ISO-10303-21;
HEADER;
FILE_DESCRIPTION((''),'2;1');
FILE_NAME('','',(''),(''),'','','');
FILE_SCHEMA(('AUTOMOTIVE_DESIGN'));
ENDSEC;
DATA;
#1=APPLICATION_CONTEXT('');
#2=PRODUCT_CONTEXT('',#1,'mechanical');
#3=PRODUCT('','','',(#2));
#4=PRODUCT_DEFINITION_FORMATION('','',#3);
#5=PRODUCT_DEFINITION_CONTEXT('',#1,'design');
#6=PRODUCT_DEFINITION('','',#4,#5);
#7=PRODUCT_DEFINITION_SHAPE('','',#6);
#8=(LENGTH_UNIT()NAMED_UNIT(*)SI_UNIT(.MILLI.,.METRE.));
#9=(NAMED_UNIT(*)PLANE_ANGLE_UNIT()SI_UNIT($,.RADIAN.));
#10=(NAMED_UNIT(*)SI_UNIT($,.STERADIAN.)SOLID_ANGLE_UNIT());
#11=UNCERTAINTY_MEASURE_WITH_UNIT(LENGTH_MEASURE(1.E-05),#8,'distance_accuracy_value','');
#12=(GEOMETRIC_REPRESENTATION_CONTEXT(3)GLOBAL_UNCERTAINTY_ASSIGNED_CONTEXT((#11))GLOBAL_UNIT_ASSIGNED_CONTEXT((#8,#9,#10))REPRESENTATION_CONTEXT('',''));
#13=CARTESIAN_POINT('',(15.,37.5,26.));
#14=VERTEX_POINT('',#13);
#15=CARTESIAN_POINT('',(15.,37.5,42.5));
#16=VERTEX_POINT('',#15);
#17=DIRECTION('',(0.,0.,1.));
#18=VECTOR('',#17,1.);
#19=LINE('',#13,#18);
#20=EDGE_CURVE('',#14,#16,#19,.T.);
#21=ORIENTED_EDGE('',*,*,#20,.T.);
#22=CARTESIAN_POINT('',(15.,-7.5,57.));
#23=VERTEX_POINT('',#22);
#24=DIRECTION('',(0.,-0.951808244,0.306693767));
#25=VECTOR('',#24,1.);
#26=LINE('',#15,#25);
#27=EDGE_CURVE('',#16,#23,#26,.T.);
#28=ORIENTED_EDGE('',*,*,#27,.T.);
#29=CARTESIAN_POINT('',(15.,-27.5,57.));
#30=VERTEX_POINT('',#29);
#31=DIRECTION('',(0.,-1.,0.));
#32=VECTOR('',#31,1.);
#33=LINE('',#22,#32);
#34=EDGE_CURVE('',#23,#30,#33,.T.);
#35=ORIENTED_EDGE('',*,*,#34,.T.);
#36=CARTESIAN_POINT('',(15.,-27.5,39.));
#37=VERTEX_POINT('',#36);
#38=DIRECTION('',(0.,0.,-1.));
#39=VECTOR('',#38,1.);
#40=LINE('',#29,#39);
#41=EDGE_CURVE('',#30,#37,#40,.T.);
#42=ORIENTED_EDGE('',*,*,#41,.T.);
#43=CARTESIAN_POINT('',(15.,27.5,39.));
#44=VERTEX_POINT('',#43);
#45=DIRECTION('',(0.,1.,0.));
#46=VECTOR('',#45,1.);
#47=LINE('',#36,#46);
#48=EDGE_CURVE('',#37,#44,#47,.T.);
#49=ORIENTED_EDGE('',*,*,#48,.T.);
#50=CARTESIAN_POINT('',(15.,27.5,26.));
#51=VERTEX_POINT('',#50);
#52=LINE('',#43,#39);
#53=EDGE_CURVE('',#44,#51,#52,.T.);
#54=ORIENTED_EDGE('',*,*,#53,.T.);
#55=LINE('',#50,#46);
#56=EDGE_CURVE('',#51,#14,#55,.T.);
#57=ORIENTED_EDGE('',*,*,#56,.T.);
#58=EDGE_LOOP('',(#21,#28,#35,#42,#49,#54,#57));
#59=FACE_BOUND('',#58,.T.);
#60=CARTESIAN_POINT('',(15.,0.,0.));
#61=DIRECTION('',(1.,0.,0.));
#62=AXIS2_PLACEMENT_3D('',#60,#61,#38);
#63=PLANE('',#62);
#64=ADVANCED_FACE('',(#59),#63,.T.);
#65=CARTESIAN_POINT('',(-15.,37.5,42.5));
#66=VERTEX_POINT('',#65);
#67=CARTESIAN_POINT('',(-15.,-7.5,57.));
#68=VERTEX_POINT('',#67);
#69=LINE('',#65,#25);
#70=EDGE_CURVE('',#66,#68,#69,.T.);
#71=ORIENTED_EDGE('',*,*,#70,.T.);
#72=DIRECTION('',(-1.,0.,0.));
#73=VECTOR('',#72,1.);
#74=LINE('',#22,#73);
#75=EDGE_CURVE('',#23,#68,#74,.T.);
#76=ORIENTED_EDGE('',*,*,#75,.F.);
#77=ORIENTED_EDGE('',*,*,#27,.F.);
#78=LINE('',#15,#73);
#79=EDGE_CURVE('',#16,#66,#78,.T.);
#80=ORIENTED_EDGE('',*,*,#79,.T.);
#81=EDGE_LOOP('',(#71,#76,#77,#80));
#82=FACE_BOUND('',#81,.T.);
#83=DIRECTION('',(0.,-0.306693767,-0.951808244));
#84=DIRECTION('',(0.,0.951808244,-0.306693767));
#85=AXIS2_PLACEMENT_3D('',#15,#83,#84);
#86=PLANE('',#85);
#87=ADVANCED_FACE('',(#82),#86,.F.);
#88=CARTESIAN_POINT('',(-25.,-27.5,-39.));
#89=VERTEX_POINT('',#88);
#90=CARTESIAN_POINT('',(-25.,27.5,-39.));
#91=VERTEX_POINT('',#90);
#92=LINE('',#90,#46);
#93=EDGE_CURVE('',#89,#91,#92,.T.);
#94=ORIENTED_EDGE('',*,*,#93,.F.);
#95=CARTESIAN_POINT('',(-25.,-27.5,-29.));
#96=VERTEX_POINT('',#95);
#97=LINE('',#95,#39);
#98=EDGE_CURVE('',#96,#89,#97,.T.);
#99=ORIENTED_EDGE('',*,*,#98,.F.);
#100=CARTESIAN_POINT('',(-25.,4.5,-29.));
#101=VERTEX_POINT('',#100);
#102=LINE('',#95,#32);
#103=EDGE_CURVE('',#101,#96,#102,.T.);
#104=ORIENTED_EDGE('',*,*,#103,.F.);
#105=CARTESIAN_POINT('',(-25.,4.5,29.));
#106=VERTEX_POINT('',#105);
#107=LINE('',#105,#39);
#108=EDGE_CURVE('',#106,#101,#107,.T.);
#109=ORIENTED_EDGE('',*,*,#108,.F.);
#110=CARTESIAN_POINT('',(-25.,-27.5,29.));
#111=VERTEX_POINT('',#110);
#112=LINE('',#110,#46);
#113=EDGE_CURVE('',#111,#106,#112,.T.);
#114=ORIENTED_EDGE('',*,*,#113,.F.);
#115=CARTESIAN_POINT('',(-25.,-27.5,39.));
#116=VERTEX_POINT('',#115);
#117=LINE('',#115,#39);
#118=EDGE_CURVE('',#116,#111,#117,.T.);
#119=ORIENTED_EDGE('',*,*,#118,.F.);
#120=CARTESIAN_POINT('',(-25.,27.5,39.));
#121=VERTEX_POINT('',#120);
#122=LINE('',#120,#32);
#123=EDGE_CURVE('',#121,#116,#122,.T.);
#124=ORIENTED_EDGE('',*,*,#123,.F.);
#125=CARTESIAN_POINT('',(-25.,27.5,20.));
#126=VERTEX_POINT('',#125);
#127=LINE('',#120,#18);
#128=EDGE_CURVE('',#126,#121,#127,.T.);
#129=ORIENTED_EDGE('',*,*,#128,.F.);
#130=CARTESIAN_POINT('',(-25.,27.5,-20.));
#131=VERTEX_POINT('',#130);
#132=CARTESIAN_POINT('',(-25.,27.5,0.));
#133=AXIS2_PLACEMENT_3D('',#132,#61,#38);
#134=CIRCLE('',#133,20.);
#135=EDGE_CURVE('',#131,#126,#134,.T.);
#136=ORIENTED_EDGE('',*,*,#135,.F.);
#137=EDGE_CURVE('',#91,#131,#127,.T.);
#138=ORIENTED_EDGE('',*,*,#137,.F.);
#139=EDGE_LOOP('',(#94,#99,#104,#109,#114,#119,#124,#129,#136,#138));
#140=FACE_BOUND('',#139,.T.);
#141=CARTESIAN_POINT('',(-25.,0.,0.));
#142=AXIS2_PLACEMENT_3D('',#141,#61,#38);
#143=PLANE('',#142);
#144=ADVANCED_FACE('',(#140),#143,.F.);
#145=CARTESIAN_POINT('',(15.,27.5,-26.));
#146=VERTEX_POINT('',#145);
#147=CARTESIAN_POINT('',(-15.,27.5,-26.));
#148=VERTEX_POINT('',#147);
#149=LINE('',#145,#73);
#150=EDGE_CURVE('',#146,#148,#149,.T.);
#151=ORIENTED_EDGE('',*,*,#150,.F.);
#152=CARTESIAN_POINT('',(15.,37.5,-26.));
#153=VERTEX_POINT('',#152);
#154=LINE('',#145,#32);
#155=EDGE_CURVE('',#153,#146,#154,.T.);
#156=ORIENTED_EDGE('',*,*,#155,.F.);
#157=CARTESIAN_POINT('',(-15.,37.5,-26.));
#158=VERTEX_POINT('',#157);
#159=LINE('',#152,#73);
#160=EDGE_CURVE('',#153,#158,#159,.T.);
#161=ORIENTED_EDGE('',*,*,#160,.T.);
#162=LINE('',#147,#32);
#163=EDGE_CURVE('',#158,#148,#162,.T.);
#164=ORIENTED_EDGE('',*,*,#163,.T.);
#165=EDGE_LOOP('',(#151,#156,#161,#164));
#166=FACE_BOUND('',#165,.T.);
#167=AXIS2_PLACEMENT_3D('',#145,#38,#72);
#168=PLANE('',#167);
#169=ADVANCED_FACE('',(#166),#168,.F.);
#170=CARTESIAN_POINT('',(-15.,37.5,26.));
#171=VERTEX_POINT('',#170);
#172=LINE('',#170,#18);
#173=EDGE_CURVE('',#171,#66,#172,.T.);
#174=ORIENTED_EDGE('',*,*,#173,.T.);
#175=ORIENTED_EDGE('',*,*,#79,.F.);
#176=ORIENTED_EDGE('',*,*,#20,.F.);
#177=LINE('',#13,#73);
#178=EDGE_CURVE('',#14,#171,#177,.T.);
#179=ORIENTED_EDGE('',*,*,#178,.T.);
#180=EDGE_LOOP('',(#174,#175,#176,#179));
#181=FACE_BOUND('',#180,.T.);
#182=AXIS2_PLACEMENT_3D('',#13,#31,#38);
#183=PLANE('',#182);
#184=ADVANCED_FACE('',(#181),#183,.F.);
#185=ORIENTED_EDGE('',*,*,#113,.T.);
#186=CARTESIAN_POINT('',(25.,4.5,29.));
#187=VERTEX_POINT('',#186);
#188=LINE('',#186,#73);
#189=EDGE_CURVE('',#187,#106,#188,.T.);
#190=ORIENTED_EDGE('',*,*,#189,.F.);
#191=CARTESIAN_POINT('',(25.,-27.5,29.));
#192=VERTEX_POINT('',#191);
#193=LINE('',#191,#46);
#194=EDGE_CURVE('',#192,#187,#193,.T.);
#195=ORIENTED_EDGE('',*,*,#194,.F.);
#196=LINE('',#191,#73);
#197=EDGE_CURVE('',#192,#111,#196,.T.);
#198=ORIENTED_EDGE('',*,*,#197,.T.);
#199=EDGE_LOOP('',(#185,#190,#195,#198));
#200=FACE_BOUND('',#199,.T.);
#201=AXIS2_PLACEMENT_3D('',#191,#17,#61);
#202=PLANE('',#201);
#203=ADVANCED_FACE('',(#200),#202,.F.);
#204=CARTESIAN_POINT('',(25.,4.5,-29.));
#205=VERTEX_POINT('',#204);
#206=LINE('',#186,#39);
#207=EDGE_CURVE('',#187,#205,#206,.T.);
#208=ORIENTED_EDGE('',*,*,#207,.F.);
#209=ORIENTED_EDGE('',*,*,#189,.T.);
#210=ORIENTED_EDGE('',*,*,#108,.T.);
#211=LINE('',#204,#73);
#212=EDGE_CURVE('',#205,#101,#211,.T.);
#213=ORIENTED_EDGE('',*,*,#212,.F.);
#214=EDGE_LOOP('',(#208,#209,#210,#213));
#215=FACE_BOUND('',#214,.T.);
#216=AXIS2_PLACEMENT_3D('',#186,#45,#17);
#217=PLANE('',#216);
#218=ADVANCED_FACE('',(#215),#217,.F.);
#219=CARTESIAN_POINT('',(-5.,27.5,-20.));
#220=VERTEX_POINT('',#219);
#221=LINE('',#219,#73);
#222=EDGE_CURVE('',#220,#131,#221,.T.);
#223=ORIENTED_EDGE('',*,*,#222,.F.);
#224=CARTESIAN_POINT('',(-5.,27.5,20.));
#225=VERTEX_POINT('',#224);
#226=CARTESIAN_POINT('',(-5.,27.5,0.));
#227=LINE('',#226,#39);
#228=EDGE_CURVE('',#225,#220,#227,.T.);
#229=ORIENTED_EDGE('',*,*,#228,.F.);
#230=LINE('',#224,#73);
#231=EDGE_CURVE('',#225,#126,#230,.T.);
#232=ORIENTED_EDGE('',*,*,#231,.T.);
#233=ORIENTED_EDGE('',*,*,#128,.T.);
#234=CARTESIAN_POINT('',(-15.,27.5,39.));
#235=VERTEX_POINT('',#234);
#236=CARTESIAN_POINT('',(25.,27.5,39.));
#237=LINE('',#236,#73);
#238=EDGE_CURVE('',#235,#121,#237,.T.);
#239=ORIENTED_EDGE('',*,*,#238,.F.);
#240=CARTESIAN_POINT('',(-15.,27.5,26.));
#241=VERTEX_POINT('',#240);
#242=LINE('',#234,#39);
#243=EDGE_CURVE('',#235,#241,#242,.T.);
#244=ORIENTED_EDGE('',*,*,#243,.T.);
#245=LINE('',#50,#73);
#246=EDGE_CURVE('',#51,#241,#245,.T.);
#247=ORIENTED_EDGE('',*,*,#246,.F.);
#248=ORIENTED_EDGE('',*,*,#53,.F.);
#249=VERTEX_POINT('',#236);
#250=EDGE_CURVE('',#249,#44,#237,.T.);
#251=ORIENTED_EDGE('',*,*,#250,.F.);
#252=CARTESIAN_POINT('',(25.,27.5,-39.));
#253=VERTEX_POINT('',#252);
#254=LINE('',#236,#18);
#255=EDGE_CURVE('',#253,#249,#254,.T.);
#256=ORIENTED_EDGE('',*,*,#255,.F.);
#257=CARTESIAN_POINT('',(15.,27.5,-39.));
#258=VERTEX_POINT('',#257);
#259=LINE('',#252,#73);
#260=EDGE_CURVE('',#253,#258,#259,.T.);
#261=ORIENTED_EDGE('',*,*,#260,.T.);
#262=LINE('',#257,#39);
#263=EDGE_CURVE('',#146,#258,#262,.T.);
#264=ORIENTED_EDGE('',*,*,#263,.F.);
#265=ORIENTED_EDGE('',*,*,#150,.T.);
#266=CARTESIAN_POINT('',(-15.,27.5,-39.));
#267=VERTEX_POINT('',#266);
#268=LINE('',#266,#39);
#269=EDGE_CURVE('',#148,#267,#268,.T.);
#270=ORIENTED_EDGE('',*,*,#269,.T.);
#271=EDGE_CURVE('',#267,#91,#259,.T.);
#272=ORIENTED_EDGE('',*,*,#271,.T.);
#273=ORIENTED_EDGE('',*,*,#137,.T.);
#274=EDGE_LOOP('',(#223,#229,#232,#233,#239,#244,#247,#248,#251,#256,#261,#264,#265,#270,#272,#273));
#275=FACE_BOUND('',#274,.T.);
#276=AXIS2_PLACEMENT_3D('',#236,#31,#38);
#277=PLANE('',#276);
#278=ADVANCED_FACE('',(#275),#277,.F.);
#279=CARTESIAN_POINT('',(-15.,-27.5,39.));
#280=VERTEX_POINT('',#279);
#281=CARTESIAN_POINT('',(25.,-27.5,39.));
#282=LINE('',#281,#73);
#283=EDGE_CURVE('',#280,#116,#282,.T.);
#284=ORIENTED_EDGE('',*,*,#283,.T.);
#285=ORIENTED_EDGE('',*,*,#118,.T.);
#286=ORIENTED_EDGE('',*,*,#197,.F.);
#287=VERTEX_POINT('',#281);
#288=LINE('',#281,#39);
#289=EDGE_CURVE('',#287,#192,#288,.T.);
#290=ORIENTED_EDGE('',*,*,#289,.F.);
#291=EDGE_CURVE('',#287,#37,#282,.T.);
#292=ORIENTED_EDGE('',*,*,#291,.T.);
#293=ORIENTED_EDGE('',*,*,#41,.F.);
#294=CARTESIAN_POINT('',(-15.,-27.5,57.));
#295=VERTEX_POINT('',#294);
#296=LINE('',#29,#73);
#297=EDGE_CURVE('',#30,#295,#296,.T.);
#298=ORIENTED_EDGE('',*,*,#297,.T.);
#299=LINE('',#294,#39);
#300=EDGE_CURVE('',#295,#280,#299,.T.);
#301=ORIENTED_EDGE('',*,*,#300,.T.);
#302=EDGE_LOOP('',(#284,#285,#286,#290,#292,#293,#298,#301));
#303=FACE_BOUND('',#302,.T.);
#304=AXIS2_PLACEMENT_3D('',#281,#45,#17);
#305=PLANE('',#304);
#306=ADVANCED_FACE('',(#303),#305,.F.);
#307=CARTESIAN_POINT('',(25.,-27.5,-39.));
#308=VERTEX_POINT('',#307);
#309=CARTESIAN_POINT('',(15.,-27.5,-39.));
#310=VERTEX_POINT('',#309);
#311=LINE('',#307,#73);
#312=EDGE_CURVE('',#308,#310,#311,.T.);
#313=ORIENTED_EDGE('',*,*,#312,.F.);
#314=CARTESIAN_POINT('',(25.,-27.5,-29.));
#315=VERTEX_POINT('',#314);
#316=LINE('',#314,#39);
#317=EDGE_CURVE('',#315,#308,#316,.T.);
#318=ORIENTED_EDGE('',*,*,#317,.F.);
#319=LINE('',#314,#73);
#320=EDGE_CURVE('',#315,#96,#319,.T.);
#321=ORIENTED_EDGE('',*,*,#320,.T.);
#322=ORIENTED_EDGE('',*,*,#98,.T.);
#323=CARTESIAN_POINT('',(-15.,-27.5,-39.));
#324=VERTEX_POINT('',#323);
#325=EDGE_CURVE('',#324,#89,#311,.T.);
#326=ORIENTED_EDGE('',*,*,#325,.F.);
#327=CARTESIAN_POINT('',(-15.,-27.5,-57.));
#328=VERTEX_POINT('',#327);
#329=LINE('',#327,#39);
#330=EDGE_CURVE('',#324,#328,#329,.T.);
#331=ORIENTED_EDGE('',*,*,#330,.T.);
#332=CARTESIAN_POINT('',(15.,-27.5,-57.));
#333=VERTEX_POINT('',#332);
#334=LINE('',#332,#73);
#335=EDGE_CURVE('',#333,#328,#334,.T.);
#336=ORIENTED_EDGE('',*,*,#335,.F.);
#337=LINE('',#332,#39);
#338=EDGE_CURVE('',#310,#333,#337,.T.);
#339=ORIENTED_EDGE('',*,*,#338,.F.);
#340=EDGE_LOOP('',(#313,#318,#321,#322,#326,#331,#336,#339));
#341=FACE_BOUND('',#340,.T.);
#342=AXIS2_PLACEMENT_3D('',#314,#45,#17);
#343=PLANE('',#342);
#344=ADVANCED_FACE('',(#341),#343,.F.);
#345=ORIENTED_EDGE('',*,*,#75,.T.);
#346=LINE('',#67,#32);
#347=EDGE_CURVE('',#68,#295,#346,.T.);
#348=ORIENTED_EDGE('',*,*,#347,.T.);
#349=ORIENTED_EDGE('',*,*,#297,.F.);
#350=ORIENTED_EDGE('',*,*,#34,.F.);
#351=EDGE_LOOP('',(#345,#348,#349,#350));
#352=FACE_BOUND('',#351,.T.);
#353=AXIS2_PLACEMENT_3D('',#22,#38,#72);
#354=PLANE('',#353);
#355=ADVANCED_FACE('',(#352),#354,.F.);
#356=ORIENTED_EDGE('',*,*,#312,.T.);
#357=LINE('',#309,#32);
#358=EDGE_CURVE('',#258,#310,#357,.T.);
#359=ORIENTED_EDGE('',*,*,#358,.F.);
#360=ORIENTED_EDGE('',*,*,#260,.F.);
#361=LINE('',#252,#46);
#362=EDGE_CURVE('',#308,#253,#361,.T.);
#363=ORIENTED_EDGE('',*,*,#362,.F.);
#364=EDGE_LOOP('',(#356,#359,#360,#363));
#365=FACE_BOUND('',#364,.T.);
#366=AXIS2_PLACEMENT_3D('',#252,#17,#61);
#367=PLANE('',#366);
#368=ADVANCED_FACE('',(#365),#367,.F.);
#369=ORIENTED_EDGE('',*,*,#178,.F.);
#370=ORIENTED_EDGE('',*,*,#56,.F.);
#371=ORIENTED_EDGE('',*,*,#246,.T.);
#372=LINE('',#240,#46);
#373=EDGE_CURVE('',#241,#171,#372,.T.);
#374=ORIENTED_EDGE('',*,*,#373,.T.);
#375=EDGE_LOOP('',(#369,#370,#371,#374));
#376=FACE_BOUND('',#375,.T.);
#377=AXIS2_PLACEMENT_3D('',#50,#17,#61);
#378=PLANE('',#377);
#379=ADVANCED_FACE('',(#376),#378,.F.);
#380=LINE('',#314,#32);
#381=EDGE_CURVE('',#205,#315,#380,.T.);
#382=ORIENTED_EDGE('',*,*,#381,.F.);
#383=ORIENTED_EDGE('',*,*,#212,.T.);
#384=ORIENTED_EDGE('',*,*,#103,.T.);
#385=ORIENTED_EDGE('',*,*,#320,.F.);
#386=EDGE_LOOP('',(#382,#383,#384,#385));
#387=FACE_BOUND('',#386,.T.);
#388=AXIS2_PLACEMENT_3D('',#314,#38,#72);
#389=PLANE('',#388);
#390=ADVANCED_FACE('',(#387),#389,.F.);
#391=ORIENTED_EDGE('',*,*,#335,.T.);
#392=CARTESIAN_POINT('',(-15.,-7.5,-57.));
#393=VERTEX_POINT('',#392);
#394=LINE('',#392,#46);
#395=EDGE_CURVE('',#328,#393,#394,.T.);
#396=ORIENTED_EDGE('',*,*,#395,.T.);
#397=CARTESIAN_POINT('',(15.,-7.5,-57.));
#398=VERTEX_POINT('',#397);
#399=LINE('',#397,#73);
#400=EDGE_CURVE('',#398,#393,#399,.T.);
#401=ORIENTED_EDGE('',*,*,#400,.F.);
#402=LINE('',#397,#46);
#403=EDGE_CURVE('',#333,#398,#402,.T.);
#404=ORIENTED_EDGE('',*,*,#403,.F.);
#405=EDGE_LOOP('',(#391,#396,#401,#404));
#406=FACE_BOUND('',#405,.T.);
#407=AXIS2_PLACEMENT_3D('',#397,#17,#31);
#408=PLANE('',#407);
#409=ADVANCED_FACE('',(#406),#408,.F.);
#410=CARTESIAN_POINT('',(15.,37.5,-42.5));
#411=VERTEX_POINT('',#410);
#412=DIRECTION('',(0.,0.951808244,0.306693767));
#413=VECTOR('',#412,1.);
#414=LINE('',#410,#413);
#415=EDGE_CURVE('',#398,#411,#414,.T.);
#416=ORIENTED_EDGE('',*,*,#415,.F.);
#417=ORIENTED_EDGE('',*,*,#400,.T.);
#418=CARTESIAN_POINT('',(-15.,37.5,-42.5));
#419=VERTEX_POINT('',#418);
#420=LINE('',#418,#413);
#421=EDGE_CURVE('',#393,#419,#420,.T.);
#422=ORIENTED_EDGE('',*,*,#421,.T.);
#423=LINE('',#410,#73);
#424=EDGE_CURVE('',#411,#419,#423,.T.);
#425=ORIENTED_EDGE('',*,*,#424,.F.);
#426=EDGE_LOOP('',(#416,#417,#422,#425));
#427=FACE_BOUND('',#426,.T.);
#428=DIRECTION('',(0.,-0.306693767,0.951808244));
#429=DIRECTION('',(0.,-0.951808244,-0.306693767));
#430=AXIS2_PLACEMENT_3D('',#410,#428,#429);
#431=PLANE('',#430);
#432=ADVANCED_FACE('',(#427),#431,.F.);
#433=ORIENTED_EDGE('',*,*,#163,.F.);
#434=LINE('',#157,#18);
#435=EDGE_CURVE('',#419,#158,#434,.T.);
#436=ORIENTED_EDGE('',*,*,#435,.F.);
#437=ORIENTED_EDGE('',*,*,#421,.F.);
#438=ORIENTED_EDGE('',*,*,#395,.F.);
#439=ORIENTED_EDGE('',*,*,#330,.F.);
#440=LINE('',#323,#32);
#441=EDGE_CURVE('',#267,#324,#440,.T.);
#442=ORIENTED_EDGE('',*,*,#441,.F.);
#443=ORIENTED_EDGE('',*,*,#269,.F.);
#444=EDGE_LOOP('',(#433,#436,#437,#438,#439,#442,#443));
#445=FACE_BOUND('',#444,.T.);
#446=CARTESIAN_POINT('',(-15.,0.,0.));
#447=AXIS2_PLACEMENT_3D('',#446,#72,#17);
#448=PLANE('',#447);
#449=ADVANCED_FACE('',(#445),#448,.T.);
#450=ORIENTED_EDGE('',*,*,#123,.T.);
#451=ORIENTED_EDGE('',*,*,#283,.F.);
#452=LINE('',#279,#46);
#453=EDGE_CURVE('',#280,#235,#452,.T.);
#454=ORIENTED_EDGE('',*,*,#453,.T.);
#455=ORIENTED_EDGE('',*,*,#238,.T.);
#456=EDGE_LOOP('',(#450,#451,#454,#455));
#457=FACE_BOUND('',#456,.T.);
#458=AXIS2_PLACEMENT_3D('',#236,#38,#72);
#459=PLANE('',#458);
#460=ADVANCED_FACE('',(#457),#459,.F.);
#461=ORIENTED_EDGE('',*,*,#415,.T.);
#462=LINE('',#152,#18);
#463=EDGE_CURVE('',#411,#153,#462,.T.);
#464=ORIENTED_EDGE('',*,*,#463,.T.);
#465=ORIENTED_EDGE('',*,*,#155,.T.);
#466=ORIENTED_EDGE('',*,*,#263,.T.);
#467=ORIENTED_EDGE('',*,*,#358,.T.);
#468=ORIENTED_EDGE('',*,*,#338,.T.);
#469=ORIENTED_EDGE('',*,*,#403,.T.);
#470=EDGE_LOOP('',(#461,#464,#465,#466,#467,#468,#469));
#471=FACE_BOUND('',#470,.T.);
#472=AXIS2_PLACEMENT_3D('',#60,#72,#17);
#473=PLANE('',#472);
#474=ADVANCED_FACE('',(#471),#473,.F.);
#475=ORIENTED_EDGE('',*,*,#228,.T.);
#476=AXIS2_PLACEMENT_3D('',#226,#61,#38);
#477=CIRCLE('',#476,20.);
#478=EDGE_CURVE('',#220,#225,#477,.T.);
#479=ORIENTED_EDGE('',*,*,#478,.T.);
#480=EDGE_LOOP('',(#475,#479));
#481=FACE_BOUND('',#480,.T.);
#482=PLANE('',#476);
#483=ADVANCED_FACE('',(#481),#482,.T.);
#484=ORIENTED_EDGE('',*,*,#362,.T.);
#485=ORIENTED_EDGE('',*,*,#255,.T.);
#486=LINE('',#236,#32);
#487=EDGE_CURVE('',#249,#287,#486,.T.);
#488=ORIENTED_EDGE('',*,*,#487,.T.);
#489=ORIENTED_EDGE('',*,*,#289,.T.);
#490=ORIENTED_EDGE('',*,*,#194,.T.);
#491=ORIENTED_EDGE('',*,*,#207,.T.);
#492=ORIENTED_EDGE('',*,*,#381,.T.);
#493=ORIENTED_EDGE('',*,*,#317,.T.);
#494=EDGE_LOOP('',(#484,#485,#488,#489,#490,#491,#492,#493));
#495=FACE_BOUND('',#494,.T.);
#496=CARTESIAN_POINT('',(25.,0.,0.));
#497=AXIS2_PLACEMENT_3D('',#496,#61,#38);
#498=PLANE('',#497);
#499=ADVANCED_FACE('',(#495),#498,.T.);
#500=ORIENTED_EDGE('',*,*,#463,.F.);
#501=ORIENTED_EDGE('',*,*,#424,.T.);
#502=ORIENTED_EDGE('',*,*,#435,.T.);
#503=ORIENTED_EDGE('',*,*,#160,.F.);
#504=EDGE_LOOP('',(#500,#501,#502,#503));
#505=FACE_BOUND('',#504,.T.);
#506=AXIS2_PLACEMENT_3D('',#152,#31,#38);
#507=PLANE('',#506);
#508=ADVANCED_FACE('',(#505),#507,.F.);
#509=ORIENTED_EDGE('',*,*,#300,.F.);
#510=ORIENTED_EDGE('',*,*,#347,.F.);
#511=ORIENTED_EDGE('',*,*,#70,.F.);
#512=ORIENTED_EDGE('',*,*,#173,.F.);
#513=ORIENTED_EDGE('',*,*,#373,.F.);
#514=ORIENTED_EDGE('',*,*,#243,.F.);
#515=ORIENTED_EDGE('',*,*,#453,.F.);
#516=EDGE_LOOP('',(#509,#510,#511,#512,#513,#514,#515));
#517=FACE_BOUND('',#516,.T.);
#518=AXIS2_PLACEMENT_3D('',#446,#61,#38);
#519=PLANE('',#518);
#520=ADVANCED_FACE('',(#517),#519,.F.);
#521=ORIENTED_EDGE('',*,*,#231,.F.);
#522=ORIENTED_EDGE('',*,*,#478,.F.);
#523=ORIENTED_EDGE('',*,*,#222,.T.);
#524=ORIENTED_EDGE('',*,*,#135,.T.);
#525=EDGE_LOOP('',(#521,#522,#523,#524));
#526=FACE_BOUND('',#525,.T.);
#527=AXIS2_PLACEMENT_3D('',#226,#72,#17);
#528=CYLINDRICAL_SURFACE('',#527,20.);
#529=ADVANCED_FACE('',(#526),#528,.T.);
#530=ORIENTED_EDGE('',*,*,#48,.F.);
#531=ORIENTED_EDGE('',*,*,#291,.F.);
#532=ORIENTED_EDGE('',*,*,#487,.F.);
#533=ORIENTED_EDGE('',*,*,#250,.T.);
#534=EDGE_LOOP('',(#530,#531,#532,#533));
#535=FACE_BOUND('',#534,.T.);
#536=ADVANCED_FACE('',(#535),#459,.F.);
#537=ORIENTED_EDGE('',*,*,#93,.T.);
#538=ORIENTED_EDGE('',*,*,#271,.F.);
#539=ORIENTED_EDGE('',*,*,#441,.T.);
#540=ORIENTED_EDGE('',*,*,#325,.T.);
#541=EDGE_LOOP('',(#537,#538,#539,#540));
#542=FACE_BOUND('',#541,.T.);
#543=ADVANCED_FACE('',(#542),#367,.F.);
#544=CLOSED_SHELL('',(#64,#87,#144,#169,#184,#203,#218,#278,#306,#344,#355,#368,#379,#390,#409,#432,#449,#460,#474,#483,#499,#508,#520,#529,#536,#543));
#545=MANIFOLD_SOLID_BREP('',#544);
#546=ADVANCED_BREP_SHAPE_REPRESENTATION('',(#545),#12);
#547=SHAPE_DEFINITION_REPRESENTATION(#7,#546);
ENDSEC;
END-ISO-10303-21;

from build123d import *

# Parameters (mm, degrees)
SALIENTE_EXTRUIR1_DEPTH = 25
SALIENTE_EXTRUIR2_DEPTH = 15
SALIENTE_EXTRUIR3_START = -25
SALIENTE_EXTRUIR3_DEPTH = 20


with BuildPart() as part:
    # Croquis1 → Saliente-Extruir1 (new, symmetric)
    with BuildSketch(Plane(origin=(0, 0, 0), x_dir=(0, 0, -1), z_dir=(1, 0, 0))):
        Polygon((29, -27.5), (39, -27.5), (39, 27.5), (-39, 27.5), (-39, -27.5), (-29, -27.5), (-29, 4.5), (29, 4.5), align=None)
    extrude(amount=SALIENTE_EXTRUIR1_DEPTH, both=True)

    # Croquis2 → Saliente-Extruir2 (add, symmetric)
    with BuildSketch(Plane(origin=(0, 0, 0), x_dir=(0, 0, -1), z_dir=(1, 0, 0))):
        Polygon((-26, 27.5), (-26, 37.5), (-42.5, 37.5), (-57, -7.5), (-57, -27.5), (-39, -27.5), (-39, 27.5), align=None)
        Polygon((39, -27.5), (39, 27.5), (26, 27.5), (26, 37.5), (42.5, 37.5), (57, -7.5), (57, -27.5), align=None)
    extrude(amount=SALIENTE_EXTRUIR2_DEPTH, both=True)

    # Croquis3 → Saliente-Extruir3 (add)
    with BuildSketch(Plane(origin=(0, 0, 0), x_dir=(0, 0, -1), z_dir=(1, 0, 0)).offset(SALIENTE_EXTRUIR3_START)):
        with BuildLine():
            Line((-20, 27.5), (20, 27.5))
            ThreePointArc((20, 27.5), (0, 47.5), (-20, 27.5))
        make_face()
    extrude(amount=SALIENTE_EXTRUIR3_DEPTH)


solid = part.part
